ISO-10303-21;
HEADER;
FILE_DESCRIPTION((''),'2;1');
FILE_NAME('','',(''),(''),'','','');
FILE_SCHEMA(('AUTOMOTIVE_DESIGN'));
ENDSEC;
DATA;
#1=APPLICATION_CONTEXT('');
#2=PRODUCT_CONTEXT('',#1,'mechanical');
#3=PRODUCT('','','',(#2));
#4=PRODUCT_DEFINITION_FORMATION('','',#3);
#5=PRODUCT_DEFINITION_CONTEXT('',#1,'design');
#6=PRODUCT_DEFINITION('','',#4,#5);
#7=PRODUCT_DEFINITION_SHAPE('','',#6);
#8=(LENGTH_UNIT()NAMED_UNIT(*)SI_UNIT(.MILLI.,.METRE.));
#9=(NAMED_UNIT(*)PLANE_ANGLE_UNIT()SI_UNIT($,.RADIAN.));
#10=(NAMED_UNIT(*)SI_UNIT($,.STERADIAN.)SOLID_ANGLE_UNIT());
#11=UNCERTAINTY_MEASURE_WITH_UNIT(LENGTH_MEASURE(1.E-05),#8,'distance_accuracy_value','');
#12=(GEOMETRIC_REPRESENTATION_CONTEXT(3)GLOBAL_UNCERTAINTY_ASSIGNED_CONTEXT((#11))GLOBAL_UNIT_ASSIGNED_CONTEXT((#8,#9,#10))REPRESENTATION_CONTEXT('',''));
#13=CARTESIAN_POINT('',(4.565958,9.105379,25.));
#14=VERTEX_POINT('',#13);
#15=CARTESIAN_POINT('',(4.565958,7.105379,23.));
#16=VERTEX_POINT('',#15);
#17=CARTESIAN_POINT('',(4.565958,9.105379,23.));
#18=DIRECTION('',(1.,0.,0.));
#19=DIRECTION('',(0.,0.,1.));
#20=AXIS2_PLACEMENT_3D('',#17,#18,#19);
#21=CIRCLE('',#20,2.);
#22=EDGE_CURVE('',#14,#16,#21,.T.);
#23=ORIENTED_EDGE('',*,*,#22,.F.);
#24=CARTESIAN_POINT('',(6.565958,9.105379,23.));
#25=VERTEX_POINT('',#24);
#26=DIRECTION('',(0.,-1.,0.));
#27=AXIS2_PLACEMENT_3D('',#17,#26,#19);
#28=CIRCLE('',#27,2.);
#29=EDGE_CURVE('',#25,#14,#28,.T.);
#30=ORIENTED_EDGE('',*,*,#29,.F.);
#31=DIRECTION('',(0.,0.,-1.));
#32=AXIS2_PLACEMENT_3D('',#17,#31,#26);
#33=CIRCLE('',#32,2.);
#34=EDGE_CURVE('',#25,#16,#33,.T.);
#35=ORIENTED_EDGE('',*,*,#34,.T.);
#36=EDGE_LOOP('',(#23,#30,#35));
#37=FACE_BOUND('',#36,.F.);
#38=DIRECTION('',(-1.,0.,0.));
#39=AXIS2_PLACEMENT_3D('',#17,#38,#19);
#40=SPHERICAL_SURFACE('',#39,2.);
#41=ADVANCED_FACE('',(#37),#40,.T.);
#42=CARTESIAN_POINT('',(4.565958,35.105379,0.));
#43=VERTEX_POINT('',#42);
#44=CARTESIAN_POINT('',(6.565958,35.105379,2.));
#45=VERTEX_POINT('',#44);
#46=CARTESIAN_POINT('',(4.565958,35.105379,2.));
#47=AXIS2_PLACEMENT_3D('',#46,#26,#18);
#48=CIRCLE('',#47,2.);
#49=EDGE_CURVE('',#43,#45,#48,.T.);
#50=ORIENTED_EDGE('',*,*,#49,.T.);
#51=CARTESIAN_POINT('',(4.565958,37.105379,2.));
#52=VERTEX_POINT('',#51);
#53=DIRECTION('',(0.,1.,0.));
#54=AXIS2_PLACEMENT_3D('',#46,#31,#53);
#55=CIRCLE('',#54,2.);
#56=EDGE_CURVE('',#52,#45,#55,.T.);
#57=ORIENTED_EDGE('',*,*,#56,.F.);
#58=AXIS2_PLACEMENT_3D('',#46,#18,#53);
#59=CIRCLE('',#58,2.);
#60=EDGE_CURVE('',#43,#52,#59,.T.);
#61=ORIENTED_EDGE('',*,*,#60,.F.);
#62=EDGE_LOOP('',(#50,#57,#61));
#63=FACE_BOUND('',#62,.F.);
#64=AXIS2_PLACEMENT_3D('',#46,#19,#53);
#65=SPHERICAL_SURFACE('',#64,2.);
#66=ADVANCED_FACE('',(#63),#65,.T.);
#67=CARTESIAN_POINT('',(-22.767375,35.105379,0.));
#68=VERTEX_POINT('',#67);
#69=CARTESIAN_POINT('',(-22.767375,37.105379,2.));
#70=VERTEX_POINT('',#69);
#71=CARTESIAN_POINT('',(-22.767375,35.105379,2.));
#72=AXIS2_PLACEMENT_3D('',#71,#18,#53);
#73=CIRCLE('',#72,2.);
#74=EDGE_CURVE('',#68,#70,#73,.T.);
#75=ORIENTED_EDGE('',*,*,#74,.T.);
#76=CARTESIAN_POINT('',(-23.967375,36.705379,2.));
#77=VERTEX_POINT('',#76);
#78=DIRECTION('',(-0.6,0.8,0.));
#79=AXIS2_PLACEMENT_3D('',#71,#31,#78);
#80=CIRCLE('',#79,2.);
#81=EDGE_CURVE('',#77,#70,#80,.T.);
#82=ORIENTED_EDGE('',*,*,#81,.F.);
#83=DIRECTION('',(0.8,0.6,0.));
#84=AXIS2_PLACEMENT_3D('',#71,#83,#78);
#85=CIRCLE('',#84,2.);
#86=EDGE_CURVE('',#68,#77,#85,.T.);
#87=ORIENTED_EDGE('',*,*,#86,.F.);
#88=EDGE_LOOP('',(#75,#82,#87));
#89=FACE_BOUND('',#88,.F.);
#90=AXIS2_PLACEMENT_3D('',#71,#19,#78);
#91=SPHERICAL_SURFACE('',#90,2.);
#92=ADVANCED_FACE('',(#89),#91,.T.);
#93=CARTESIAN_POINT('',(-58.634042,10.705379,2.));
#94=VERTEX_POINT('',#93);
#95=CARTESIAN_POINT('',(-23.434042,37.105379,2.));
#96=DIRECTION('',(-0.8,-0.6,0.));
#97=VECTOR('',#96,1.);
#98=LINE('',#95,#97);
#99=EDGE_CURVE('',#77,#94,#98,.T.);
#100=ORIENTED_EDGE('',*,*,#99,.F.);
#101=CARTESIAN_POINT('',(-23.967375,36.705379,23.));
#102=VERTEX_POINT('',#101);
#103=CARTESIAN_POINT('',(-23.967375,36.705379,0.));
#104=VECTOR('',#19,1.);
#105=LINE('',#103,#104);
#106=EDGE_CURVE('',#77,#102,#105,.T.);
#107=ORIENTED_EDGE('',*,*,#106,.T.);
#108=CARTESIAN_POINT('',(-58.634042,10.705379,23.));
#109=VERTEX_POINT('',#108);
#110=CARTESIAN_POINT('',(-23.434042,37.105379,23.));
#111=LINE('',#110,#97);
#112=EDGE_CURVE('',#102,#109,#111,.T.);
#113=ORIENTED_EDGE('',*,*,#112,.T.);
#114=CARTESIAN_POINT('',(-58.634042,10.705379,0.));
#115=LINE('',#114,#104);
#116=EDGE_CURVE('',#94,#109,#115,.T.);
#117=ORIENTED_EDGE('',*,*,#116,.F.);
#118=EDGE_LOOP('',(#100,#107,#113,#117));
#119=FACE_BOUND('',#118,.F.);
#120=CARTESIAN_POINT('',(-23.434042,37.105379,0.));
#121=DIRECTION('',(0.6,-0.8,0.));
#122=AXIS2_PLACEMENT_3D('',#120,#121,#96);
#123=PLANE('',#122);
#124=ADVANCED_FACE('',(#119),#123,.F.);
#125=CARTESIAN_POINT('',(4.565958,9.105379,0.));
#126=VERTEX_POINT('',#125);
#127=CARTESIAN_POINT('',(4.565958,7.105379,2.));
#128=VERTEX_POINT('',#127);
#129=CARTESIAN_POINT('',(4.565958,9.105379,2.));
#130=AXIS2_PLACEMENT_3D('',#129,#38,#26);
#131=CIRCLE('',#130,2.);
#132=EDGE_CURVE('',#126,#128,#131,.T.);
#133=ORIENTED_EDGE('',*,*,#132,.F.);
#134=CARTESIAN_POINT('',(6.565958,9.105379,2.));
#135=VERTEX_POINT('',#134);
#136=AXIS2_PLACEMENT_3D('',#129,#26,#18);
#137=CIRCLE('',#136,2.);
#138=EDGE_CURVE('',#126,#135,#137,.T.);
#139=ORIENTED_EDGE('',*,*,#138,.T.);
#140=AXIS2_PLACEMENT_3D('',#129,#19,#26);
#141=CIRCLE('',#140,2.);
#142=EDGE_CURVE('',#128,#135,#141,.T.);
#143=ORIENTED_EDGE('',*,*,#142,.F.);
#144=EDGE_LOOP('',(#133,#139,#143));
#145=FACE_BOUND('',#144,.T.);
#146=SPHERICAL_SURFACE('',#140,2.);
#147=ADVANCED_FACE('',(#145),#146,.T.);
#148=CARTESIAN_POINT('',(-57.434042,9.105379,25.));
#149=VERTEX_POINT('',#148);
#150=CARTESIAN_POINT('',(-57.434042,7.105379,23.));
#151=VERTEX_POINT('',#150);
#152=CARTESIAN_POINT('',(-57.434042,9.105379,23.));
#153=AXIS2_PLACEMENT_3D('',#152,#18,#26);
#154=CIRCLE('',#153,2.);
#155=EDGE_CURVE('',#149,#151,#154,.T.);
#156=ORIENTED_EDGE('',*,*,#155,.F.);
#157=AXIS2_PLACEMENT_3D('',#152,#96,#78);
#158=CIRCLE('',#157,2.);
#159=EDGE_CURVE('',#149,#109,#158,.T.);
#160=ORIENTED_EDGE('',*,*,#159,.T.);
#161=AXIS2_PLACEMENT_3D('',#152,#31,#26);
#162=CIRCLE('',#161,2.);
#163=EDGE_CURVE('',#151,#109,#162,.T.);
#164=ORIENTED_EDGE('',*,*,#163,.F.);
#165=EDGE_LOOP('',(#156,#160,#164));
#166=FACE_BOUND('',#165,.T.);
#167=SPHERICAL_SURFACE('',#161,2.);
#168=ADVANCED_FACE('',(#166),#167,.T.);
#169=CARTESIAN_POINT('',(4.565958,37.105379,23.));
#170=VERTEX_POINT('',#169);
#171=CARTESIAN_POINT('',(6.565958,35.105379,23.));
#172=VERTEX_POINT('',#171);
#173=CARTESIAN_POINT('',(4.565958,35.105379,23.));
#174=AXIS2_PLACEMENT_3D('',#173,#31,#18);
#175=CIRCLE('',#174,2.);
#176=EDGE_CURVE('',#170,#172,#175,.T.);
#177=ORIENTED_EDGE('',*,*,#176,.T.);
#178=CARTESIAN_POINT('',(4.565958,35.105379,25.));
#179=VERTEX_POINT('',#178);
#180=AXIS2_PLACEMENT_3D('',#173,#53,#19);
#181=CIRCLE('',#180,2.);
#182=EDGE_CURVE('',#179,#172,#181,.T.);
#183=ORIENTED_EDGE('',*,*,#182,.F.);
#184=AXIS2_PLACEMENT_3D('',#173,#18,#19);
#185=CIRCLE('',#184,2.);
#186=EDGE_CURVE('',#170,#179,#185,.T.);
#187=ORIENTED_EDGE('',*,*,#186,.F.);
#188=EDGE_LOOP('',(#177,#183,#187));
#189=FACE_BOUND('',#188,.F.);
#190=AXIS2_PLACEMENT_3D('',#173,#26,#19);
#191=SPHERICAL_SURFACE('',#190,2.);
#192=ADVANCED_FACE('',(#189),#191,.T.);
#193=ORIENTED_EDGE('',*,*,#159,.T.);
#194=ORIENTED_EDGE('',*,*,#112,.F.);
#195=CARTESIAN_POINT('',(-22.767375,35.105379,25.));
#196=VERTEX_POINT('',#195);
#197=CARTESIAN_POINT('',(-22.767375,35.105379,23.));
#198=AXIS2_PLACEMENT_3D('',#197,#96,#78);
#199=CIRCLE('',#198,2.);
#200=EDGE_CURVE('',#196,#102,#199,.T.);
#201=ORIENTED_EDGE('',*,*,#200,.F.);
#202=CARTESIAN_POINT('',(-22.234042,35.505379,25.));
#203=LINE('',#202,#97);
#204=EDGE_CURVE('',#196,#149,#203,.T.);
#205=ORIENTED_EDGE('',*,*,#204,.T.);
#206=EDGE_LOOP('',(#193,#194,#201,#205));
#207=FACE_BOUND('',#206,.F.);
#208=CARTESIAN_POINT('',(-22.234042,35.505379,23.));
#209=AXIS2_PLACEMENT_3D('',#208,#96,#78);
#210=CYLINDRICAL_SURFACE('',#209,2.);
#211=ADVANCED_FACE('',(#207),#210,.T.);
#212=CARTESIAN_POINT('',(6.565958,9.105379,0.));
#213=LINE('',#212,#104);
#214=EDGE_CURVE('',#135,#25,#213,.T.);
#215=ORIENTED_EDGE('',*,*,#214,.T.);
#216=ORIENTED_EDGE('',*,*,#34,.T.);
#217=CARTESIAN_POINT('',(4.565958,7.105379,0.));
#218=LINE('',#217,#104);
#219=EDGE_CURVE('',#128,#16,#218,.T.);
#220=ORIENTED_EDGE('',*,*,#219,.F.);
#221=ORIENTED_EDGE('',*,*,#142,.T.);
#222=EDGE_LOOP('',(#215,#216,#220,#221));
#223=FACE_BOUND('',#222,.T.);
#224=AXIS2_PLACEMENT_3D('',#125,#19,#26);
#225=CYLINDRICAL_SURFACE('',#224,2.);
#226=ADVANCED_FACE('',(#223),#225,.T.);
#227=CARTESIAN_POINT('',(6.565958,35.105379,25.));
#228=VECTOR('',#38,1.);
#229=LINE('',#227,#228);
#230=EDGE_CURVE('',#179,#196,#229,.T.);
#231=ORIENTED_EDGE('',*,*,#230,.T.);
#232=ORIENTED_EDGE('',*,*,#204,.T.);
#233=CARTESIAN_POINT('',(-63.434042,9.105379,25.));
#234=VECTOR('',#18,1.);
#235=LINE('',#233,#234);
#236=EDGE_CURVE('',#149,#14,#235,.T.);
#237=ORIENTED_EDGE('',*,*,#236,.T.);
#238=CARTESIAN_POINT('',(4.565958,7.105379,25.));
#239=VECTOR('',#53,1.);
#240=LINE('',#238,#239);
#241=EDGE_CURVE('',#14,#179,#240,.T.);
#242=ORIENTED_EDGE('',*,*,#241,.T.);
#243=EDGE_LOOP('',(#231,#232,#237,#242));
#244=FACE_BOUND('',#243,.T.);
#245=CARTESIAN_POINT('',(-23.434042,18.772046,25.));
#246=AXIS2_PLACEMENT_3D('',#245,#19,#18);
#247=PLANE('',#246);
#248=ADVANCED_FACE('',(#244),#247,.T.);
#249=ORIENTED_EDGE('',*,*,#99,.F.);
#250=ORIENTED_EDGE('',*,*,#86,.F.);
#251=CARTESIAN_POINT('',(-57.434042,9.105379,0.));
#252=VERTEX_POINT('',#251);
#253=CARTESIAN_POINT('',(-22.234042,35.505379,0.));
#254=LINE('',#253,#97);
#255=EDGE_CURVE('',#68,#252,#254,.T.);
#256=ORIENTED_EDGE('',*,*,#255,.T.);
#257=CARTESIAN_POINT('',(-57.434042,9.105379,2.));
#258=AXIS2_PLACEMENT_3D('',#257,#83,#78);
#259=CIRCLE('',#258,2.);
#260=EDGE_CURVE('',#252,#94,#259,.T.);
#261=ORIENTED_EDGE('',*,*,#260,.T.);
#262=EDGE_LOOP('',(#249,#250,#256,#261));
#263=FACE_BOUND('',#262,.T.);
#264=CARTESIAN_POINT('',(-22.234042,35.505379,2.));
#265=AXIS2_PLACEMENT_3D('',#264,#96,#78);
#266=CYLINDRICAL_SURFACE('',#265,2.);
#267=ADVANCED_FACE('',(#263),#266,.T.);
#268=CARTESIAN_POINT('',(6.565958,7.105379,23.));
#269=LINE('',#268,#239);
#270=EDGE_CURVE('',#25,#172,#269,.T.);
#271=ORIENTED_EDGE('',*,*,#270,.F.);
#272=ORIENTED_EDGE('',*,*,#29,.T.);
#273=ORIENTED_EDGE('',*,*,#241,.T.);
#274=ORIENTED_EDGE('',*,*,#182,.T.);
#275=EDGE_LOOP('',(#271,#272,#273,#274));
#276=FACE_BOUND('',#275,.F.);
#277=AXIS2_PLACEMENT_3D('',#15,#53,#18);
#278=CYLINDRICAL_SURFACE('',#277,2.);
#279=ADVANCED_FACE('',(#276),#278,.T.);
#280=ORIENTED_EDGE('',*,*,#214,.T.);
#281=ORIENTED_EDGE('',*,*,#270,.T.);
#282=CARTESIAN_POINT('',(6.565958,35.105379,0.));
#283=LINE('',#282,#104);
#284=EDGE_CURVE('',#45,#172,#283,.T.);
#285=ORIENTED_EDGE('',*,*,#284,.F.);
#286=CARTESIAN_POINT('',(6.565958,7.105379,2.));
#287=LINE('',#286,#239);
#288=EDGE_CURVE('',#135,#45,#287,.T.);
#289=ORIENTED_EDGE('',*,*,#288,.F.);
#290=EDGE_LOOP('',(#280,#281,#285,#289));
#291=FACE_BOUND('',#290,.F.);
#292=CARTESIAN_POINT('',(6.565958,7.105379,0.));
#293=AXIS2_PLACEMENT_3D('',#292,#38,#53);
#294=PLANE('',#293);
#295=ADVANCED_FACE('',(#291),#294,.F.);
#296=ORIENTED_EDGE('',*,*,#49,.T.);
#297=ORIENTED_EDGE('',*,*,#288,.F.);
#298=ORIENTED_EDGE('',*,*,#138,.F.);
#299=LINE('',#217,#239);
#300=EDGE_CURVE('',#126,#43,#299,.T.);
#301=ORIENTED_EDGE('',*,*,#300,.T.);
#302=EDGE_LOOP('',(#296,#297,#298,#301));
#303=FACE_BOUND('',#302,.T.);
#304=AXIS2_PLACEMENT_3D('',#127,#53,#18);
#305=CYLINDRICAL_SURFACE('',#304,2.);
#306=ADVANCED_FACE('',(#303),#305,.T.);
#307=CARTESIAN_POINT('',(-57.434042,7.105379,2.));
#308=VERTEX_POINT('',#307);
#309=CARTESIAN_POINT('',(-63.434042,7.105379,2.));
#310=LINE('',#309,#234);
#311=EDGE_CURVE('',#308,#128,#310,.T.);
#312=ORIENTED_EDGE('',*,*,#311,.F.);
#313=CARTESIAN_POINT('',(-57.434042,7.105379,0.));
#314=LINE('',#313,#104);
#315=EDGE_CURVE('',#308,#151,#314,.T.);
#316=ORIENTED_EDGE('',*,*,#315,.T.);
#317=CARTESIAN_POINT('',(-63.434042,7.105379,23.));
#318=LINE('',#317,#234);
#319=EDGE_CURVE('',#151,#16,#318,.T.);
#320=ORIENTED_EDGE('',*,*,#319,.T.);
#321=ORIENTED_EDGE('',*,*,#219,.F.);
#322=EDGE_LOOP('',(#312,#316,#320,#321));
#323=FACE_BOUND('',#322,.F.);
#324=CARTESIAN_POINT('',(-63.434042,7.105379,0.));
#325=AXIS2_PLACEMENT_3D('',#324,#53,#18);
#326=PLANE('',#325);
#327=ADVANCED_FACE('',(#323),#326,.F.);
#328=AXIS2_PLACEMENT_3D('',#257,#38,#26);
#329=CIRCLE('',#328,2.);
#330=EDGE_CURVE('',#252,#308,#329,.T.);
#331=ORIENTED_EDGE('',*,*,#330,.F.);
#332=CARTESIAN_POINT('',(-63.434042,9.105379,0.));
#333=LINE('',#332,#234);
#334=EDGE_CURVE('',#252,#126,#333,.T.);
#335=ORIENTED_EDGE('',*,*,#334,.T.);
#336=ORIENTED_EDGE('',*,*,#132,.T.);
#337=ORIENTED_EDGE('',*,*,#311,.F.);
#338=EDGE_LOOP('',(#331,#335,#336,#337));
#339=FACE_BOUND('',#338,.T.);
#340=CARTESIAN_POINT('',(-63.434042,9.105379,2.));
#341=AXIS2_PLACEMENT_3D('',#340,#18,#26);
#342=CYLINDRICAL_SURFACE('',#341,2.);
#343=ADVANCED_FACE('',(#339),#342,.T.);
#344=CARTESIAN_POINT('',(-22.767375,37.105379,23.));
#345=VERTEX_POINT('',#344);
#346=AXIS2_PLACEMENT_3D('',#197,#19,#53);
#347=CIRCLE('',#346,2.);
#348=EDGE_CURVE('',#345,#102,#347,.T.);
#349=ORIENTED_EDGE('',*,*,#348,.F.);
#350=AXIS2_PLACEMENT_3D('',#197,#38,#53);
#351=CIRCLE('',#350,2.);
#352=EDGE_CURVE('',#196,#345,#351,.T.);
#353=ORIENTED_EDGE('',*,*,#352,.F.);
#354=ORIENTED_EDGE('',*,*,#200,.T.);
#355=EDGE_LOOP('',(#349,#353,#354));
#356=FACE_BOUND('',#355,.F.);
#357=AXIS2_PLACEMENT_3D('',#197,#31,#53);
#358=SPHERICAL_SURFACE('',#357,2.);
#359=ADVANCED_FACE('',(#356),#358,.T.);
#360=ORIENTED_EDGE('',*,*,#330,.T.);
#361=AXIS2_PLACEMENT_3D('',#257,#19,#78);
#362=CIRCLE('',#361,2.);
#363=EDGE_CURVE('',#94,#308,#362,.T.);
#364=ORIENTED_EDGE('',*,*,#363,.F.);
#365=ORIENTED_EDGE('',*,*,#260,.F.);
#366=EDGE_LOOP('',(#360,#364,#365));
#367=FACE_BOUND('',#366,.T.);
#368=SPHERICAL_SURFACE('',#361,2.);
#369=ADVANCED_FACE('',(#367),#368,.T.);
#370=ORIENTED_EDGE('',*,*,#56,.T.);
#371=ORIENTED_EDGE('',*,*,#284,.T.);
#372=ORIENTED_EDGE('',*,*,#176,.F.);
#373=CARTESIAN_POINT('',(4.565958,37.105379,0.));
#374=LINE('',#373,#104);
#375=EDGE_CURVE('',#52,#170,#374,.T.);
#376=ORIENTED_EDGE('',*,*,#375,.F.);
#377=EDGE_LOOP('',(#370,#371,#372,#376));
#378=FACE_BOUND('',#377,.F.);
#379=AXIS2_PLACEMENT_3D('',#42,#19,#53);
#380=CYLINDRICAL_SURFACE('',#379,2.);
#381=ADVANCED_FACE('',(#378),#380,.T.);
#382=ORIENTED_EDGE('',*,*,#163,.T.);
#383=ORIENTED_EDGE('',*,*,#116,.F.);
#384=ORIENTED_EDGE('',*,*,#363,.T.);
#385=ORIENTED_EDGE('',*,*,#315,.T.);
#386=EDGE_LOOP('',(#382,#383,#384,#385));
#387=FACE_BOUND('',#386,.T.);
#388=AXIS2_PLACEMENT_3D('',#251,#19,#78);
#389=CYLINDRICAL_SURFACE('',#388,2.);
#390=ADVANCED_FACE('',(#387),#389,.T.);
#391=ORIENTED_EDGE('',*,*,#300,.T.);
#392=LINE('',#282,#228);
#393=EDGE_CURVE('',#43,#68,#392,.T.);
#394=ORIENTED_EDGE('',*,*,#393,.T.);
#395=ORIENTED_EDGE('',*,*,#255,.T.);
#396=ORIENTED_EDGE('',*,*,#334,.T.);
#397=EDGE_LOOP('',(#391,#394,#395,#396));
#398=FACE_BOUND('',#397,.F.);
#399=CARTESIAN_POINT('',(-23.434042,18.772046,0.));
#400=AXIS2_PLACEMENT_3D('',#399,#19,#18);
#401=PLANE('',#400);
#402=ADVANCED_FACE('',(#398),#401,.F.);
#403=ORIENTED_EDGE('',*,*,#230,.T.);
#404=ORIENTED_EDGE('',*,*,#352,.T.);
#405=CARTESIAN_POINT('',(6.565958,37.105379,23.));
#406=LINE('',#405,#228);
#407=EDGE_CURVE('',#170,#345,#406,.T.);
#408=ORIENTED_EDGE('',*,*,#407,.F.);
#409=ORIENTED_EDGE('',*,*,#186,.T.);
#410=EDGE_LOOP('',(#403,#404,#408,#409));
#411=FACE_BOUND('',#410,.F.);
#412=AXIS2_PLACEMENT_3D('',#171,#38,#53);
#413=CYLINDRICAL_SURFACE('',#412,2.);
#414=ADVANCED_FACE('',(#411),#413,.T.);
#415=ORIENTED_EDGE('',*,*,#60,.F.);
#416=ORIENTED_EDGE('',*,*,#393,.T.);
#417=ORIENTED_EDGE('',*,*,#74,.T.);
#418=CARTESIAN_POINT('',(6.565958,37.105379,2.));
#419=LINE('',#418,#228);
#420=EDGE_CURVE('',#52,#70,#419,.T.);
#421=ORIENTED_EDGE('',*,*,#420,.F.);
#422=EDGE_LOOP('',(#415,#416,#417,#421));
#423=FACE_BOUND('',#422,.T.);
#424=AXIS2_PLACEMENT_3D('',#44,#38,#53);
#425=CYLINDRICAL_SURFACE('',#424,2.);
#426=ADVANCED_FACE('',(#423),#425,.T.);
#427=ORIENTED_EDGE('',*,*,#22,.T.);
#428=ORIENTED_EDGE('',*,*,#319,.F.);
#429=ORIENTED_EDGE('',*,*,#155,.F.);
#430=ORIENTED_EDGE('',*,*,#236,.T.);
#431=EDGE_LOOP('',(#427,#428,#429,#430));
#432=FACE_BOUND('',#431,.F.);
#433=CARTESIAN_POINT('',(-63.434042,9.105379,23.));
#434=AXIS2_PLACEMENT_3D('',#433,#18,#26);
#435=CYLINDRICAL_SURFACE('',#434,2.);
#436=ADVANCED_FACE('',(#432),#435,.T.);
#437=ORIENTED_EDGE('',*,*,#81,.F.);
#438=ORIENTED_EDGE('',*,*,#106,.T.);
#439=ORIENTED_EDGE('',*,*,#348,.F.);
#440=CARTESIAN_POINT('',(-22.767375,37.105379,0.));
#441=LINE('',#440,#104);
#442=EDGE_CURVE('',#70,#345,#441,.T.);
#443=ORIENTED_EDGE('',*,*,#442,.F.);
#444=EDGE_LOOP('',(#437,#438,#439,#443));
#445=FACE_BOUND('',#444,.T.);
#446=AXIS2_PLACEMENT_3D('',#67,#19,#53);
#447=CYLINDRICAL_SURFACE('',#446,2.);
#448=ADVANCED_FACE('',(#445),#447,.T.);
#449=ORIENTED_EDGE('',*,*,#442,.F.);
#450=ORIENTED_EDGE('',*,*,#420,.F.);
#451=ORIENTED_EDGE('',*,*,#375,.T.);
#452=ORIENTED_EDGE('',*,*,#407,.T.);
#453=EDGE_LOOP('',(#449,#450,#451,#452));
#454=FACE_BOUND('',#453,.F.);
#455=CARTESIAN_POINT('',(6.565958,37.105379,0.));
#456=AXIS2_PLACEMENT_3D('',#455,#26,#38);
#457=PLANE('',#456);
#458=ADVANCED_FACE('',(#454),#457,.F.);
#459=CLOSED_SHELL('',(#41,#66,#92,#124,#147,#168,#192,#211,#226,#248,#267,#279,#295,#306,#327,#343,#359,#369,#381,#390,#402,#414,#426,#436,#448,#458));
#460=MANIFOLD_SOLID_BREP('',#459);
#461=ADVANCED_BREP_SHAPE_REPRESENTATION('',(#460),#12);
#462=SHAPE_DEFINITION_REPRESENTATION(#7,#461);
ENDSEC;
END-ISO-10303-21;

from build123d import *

# Parameters (mm, degrees)
F1_DEPTH = 25
F2_R     = 2


with BuildPart() as f1:
    # F0 (on Top) → F1 (new body)
    with BuildSketch(Plane.XY):
        Polygon((6.565958, 37.105379), (-23.434042, 37.105379), (-63.434042, 7.105379), (-23.434042, 7.105379), (6.565958, 7.105379), align=None)
    extrude(amount=F1_DEPTH)

    # F2
    f2_edges = [f1.edges().sort_by_distance(p)[0] for p in [
        (-28.434042, 7.105379, 25),
        (6.565958, 22.105379, 25),
        (-8.434042, 37.105379, 25),
        (-43.434042, 22.105379, 25),
        (6.565958, 7.105379, 12.5),
        (-28.434042, 7.105379, 0),
        (-63.434042, 7.105379, 12.5),
        (-23.434042, 37.105379, 12.5),
        (-43.434042, 22.105379, 0),
        (6.565958, 37.105379, 12.5),
        (-8.434042, 37.105379, 0),
        (6.565958, 22.105379, 0),
    ]]
    fillet(f2_edges, radius=F2_R)


solid = f1.part
